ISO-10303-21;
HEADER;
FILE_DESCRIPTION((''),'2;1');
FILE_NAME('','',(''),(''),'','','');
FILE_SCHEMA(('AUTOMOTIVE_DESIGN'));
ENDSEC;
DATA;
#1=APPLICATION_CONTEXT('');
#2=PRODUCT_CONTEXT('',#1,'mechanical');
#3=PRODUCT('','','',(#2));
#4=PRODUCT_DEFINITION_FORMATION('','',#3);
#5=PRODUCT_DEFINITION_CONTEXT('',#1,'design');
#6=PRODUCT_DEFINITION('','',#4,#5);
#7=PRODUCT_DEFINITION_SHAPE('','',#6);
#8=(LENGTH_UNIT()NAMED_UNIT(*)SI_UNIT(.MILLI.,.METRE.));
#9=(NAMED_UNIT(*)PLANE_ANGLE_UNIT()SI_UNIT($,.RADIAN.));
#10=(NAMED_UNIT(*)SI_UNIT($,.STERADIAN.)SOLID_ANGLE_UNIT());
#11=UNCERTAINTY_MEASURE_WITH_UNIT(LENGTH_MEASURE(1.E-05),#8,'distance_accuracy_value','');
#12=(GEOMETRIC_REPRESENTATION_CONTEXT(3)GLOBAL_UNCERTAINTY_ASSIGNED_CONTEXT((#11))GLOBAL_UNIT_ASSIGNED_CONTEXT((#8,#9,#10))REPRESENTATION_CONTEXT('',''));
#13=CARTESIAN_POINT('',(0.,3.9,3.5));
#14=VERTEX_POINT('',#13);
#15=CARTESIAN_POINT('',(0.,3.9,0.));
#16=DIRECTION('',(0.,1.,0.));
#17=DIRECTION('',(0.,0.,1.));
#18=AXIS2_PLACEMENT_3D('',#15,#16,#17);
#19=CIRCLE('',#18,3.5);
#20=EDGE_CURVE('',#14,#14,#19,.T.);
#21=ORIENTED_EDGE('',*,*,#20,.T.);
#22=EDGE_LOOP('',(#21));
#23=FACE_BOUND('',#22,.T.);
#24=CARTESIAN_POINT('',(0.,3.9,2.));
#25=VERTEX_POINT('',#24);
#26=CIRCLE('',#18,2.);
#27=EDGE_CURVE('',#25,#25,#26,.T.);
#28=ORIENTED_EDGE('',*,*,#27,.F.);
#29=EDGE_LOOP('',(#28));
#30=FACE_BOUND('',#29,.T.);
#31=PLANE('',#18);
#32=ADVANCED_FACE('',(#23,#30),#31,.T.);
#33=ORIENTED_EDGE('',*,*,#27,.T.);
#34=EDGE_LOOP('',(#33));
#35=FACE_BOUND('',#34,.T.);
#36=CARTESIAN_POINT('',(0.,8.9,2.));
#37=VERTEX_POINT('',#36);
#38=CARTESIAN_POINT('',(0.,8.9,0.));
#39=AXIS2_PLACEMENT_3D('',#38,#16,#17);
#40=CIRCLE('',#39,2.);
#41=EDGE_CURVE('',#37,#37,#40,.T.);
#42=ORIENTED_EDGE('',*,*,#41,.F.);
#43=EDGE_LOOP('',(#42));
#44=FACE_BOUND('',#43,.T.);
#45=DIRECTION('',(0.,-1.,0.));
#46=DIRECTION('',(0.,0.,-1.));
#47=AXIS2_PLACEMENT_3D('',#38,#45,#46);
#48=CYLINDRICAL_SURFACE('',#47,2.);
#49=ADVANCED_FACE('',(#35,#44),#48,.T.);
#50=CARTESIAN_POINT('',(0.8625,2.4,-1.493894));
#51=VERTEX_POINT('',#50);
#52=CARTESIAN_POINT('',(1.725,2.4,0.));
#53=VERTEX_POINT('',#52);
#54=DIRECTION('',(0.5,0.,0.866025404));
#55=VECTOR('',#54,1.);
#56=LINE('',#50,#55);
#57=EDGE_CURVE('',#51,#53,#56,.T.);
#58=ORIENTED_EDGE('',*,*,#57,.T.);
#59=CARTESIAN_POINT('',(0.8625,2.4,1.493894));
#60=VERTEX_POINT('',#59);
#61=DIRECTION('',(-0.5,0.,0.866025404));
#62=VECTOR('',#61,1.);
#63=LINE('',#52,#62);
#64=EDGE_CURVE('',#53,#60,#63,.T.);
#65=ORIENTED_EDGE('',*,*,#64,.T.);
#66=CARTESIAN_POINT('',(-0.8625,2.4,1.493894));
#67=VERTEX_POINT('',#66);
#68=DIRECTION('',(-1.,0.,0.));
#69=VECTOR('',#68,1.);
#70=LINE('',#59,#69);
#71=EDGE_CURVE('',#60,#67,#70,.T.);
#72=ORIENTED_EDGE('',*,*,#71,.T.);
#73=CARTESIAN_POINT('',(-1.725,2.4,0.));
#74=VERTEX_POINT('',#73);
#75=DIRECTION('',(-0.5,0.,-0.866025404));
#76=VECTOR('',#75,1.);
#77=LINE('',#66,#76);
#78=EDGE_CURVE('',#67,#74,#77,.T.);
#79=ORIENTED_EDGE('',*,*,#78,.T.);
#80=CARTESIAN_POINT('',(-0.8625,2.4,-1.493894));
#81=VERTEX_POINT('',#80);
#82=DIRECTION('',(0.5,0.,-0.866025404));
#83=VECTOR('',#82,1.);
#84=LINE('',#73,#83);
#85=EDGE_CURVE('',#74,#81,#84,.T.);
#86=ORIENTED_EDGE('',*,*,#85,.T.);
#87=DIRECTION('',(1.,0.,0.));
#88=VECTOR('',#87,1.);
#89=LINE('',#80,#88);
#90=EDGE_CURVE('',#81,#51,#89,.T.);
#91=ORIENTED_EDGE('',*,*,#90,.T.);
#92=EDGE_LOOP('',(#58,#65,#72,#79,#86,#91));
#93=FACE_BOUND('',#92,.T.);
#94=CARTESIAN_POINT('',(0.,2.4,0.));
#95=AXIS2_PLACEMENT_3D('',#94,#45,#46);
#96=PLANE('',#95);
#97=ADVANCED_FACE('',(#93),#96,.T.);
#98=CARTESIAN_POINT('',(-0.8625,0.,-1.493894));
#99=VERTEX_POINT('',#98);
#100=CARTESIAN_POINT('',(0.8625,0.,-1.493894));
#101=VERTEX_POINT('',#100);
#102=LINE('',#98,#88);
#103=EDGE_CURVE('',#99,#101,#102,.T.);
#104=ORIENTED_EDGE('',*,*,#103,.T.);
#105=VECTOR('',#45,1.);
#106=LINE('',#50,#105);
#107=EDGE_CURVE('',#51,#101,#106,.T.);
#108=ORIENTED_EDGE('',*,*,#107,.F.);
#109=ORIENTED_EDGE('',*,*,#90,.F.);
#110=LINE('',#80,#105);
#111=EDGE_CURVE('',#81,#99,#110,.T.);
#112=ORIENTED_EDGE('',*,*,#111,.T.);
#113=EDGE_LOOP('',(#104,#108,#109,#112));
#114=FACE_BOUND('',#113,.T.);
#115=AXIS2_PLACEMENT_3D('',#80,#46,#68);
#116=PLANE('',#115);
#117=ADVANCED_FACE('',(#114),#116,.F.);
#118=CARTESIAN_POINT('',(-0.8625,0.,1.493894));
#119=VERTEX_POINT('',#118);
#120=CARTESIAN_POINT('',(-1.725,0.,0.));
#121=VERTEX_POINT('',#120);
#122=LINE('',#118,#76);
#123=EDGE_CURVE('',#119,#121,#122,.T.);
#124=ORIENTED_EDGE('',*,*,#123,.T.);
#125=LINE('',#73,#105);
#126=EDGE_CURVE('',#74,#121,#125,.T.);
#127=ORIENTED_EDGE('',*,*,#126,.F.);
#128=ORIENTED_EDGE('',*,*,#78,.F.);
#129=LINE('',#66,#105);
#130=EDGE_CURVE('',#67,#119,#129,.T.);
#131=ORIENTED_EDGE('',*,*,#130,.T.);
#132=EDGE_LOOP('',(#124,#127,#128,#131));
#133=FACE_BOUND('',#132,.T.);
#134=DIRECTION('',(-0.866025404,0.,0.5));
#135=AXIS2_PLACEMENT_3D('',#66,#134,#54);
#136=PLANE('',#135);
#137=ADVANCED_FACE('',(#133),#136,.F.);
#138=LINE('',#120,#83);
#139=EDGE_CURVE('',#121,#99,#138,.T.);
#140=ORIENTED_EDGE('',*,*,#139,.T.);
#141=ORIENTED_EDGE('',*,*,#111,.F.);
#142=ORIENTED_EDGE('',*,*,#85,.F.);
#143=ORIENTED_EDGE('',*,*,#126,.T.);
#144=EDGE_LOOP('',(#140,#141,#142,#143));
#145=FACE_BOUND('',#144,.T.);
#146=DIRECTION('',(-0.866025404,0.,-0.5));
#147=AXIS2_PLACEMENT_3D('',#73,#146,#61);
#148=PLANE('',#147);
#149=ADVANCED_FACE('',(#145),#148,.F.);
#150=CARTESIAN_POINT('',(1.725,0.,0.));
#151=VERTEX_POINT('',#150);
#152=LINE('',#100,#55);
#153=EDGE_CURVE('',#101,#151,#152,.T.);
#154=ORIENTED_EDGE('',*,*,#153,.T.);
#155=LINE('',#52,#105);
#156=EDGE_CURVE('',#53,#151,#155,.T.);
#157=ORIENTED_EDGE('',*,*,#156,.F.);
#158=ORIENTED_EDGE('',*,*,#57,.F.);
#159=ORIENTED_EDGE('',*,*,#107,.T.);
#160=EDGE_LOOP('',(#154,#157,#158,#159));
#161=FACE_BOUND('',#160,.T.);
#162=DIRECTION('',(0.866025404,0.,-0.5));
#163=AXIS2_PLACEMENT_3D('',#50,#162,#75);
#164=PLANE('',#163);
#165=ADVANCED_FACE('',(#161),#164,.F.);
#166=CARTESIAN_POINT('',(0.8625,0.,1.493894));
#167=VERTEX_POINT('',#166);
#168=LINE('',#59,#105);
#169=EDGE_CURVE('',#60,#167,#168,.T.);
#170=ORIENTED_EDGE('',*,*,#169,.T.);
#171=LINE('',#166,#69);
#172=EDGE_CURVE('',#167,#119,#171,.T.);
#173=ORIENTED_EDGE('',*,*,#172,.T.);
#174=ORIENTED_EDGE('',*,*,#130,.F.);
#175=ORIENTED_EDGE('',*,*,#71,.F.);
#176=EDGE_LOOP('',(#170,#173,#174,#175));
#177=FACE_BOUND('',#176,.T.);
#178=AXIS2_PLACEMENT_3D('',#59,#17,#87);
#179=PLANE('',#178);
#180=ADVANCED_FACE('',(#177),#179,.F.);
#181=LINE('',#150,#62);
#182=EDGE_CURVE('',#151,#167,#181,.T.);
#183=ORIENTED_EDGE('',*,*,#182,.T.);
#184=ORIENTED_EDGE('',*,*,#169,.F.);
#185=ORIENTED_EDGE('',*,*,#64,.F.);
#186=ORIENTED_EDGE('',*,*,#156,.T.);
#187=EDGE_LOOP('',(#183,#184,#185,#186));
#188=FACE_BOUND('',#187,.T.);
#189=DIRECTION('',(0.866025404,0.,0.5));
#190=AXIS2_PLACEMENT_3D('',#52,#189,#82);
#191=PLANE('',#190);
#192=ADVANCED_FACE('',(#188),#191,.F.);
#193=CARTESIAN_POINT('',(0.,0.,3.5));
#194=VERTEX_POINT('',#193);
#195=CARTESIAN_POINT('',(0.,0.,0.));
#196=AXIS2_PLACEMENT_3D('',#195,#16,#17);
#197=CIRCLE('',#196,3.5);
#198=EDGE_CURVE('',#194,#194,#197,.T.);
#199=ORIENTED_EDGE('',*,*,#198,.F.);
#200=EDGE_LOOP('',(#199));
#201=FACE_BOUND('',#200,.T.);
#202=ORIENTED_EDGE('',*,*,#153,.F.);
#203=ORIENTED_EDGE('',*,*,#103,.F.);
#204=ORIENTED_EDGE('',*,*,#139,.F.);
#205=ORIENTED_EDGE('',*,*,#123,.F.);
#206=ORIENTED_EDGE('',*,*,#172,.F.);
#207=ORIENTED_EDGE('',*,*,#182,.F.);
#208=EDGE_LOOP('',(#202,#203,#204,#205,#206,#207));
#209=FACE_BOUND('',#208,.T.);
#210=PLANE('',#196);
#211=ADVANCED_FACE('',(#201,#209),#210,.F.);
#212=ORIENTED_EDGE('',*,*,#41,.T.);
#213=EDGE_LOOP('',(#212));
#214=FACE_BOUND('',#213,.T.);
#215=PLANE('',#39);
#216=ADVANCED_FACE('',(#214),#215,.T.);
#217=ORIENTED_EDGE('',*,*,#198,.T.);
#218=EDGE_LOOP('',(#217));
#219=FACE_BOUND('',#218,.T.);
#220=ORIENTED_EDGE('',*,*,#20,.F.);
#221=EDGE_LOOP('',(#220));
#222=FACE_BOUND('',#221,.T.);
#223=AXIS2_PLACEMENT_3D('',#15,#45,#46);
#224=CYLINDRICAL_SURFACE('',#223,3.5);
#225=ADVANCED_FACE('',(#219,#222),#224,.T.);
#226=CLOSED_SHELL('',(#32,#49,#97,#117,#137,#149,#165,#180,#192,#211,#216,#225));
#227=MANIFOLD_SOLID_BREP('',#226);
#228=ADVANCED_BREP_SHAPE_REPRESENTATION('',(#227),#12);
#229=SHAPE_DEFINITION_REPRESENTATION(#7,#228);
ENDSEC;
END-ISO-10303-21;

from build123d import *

# Parameters (mm, degrees)
SKETCH_1_R          = 3.5
EXTRUDE_1_DEPTH     = 3.9
SKETCH_2_R          = 2
EXTRUDE_2_DEPTH     = 5
CUT_EXTRUDE_1_DEPTH = 2.4


with BuildPart() as part:
    # 草图1 → 凸台-拉伸1 (new body)
    with BuildSketch(Plane(origin=(0, 0, 0), x_dir=(1, 0, 0), z_dir=(0, 1, 0))):
        Circle(SKETCH_1_R)
    extrude(amount=EXTRUDE_1_DEPTH)

    # 草图2 → 凸台-拉伸2 (add)
    with BuildSketch(Plane(origin=(0, 3.9, 0), x_dir=(1, 0, 0), z_dir=(0, 1, 0))):
        Circle(SKETCH_2_R)
    extrude(amount=EXTRUDE_2_DEPTH)

    # 草图3 → 切除-拉伸1 (cut)
    with BuildSketch(Plane.XZ):
        Polygon((1.725, 0), (0.8625, 1.493893822), (-0.8625, 1.493893822), (-1.725, 0), (-0.8625, -1.493893822), (0.8625, -1.493893822), align=None)
    extrude(amount=-CUT_EXTRUDE_1_DEPTH, mode=Mode.SUBTRACT)


solid = part.part
